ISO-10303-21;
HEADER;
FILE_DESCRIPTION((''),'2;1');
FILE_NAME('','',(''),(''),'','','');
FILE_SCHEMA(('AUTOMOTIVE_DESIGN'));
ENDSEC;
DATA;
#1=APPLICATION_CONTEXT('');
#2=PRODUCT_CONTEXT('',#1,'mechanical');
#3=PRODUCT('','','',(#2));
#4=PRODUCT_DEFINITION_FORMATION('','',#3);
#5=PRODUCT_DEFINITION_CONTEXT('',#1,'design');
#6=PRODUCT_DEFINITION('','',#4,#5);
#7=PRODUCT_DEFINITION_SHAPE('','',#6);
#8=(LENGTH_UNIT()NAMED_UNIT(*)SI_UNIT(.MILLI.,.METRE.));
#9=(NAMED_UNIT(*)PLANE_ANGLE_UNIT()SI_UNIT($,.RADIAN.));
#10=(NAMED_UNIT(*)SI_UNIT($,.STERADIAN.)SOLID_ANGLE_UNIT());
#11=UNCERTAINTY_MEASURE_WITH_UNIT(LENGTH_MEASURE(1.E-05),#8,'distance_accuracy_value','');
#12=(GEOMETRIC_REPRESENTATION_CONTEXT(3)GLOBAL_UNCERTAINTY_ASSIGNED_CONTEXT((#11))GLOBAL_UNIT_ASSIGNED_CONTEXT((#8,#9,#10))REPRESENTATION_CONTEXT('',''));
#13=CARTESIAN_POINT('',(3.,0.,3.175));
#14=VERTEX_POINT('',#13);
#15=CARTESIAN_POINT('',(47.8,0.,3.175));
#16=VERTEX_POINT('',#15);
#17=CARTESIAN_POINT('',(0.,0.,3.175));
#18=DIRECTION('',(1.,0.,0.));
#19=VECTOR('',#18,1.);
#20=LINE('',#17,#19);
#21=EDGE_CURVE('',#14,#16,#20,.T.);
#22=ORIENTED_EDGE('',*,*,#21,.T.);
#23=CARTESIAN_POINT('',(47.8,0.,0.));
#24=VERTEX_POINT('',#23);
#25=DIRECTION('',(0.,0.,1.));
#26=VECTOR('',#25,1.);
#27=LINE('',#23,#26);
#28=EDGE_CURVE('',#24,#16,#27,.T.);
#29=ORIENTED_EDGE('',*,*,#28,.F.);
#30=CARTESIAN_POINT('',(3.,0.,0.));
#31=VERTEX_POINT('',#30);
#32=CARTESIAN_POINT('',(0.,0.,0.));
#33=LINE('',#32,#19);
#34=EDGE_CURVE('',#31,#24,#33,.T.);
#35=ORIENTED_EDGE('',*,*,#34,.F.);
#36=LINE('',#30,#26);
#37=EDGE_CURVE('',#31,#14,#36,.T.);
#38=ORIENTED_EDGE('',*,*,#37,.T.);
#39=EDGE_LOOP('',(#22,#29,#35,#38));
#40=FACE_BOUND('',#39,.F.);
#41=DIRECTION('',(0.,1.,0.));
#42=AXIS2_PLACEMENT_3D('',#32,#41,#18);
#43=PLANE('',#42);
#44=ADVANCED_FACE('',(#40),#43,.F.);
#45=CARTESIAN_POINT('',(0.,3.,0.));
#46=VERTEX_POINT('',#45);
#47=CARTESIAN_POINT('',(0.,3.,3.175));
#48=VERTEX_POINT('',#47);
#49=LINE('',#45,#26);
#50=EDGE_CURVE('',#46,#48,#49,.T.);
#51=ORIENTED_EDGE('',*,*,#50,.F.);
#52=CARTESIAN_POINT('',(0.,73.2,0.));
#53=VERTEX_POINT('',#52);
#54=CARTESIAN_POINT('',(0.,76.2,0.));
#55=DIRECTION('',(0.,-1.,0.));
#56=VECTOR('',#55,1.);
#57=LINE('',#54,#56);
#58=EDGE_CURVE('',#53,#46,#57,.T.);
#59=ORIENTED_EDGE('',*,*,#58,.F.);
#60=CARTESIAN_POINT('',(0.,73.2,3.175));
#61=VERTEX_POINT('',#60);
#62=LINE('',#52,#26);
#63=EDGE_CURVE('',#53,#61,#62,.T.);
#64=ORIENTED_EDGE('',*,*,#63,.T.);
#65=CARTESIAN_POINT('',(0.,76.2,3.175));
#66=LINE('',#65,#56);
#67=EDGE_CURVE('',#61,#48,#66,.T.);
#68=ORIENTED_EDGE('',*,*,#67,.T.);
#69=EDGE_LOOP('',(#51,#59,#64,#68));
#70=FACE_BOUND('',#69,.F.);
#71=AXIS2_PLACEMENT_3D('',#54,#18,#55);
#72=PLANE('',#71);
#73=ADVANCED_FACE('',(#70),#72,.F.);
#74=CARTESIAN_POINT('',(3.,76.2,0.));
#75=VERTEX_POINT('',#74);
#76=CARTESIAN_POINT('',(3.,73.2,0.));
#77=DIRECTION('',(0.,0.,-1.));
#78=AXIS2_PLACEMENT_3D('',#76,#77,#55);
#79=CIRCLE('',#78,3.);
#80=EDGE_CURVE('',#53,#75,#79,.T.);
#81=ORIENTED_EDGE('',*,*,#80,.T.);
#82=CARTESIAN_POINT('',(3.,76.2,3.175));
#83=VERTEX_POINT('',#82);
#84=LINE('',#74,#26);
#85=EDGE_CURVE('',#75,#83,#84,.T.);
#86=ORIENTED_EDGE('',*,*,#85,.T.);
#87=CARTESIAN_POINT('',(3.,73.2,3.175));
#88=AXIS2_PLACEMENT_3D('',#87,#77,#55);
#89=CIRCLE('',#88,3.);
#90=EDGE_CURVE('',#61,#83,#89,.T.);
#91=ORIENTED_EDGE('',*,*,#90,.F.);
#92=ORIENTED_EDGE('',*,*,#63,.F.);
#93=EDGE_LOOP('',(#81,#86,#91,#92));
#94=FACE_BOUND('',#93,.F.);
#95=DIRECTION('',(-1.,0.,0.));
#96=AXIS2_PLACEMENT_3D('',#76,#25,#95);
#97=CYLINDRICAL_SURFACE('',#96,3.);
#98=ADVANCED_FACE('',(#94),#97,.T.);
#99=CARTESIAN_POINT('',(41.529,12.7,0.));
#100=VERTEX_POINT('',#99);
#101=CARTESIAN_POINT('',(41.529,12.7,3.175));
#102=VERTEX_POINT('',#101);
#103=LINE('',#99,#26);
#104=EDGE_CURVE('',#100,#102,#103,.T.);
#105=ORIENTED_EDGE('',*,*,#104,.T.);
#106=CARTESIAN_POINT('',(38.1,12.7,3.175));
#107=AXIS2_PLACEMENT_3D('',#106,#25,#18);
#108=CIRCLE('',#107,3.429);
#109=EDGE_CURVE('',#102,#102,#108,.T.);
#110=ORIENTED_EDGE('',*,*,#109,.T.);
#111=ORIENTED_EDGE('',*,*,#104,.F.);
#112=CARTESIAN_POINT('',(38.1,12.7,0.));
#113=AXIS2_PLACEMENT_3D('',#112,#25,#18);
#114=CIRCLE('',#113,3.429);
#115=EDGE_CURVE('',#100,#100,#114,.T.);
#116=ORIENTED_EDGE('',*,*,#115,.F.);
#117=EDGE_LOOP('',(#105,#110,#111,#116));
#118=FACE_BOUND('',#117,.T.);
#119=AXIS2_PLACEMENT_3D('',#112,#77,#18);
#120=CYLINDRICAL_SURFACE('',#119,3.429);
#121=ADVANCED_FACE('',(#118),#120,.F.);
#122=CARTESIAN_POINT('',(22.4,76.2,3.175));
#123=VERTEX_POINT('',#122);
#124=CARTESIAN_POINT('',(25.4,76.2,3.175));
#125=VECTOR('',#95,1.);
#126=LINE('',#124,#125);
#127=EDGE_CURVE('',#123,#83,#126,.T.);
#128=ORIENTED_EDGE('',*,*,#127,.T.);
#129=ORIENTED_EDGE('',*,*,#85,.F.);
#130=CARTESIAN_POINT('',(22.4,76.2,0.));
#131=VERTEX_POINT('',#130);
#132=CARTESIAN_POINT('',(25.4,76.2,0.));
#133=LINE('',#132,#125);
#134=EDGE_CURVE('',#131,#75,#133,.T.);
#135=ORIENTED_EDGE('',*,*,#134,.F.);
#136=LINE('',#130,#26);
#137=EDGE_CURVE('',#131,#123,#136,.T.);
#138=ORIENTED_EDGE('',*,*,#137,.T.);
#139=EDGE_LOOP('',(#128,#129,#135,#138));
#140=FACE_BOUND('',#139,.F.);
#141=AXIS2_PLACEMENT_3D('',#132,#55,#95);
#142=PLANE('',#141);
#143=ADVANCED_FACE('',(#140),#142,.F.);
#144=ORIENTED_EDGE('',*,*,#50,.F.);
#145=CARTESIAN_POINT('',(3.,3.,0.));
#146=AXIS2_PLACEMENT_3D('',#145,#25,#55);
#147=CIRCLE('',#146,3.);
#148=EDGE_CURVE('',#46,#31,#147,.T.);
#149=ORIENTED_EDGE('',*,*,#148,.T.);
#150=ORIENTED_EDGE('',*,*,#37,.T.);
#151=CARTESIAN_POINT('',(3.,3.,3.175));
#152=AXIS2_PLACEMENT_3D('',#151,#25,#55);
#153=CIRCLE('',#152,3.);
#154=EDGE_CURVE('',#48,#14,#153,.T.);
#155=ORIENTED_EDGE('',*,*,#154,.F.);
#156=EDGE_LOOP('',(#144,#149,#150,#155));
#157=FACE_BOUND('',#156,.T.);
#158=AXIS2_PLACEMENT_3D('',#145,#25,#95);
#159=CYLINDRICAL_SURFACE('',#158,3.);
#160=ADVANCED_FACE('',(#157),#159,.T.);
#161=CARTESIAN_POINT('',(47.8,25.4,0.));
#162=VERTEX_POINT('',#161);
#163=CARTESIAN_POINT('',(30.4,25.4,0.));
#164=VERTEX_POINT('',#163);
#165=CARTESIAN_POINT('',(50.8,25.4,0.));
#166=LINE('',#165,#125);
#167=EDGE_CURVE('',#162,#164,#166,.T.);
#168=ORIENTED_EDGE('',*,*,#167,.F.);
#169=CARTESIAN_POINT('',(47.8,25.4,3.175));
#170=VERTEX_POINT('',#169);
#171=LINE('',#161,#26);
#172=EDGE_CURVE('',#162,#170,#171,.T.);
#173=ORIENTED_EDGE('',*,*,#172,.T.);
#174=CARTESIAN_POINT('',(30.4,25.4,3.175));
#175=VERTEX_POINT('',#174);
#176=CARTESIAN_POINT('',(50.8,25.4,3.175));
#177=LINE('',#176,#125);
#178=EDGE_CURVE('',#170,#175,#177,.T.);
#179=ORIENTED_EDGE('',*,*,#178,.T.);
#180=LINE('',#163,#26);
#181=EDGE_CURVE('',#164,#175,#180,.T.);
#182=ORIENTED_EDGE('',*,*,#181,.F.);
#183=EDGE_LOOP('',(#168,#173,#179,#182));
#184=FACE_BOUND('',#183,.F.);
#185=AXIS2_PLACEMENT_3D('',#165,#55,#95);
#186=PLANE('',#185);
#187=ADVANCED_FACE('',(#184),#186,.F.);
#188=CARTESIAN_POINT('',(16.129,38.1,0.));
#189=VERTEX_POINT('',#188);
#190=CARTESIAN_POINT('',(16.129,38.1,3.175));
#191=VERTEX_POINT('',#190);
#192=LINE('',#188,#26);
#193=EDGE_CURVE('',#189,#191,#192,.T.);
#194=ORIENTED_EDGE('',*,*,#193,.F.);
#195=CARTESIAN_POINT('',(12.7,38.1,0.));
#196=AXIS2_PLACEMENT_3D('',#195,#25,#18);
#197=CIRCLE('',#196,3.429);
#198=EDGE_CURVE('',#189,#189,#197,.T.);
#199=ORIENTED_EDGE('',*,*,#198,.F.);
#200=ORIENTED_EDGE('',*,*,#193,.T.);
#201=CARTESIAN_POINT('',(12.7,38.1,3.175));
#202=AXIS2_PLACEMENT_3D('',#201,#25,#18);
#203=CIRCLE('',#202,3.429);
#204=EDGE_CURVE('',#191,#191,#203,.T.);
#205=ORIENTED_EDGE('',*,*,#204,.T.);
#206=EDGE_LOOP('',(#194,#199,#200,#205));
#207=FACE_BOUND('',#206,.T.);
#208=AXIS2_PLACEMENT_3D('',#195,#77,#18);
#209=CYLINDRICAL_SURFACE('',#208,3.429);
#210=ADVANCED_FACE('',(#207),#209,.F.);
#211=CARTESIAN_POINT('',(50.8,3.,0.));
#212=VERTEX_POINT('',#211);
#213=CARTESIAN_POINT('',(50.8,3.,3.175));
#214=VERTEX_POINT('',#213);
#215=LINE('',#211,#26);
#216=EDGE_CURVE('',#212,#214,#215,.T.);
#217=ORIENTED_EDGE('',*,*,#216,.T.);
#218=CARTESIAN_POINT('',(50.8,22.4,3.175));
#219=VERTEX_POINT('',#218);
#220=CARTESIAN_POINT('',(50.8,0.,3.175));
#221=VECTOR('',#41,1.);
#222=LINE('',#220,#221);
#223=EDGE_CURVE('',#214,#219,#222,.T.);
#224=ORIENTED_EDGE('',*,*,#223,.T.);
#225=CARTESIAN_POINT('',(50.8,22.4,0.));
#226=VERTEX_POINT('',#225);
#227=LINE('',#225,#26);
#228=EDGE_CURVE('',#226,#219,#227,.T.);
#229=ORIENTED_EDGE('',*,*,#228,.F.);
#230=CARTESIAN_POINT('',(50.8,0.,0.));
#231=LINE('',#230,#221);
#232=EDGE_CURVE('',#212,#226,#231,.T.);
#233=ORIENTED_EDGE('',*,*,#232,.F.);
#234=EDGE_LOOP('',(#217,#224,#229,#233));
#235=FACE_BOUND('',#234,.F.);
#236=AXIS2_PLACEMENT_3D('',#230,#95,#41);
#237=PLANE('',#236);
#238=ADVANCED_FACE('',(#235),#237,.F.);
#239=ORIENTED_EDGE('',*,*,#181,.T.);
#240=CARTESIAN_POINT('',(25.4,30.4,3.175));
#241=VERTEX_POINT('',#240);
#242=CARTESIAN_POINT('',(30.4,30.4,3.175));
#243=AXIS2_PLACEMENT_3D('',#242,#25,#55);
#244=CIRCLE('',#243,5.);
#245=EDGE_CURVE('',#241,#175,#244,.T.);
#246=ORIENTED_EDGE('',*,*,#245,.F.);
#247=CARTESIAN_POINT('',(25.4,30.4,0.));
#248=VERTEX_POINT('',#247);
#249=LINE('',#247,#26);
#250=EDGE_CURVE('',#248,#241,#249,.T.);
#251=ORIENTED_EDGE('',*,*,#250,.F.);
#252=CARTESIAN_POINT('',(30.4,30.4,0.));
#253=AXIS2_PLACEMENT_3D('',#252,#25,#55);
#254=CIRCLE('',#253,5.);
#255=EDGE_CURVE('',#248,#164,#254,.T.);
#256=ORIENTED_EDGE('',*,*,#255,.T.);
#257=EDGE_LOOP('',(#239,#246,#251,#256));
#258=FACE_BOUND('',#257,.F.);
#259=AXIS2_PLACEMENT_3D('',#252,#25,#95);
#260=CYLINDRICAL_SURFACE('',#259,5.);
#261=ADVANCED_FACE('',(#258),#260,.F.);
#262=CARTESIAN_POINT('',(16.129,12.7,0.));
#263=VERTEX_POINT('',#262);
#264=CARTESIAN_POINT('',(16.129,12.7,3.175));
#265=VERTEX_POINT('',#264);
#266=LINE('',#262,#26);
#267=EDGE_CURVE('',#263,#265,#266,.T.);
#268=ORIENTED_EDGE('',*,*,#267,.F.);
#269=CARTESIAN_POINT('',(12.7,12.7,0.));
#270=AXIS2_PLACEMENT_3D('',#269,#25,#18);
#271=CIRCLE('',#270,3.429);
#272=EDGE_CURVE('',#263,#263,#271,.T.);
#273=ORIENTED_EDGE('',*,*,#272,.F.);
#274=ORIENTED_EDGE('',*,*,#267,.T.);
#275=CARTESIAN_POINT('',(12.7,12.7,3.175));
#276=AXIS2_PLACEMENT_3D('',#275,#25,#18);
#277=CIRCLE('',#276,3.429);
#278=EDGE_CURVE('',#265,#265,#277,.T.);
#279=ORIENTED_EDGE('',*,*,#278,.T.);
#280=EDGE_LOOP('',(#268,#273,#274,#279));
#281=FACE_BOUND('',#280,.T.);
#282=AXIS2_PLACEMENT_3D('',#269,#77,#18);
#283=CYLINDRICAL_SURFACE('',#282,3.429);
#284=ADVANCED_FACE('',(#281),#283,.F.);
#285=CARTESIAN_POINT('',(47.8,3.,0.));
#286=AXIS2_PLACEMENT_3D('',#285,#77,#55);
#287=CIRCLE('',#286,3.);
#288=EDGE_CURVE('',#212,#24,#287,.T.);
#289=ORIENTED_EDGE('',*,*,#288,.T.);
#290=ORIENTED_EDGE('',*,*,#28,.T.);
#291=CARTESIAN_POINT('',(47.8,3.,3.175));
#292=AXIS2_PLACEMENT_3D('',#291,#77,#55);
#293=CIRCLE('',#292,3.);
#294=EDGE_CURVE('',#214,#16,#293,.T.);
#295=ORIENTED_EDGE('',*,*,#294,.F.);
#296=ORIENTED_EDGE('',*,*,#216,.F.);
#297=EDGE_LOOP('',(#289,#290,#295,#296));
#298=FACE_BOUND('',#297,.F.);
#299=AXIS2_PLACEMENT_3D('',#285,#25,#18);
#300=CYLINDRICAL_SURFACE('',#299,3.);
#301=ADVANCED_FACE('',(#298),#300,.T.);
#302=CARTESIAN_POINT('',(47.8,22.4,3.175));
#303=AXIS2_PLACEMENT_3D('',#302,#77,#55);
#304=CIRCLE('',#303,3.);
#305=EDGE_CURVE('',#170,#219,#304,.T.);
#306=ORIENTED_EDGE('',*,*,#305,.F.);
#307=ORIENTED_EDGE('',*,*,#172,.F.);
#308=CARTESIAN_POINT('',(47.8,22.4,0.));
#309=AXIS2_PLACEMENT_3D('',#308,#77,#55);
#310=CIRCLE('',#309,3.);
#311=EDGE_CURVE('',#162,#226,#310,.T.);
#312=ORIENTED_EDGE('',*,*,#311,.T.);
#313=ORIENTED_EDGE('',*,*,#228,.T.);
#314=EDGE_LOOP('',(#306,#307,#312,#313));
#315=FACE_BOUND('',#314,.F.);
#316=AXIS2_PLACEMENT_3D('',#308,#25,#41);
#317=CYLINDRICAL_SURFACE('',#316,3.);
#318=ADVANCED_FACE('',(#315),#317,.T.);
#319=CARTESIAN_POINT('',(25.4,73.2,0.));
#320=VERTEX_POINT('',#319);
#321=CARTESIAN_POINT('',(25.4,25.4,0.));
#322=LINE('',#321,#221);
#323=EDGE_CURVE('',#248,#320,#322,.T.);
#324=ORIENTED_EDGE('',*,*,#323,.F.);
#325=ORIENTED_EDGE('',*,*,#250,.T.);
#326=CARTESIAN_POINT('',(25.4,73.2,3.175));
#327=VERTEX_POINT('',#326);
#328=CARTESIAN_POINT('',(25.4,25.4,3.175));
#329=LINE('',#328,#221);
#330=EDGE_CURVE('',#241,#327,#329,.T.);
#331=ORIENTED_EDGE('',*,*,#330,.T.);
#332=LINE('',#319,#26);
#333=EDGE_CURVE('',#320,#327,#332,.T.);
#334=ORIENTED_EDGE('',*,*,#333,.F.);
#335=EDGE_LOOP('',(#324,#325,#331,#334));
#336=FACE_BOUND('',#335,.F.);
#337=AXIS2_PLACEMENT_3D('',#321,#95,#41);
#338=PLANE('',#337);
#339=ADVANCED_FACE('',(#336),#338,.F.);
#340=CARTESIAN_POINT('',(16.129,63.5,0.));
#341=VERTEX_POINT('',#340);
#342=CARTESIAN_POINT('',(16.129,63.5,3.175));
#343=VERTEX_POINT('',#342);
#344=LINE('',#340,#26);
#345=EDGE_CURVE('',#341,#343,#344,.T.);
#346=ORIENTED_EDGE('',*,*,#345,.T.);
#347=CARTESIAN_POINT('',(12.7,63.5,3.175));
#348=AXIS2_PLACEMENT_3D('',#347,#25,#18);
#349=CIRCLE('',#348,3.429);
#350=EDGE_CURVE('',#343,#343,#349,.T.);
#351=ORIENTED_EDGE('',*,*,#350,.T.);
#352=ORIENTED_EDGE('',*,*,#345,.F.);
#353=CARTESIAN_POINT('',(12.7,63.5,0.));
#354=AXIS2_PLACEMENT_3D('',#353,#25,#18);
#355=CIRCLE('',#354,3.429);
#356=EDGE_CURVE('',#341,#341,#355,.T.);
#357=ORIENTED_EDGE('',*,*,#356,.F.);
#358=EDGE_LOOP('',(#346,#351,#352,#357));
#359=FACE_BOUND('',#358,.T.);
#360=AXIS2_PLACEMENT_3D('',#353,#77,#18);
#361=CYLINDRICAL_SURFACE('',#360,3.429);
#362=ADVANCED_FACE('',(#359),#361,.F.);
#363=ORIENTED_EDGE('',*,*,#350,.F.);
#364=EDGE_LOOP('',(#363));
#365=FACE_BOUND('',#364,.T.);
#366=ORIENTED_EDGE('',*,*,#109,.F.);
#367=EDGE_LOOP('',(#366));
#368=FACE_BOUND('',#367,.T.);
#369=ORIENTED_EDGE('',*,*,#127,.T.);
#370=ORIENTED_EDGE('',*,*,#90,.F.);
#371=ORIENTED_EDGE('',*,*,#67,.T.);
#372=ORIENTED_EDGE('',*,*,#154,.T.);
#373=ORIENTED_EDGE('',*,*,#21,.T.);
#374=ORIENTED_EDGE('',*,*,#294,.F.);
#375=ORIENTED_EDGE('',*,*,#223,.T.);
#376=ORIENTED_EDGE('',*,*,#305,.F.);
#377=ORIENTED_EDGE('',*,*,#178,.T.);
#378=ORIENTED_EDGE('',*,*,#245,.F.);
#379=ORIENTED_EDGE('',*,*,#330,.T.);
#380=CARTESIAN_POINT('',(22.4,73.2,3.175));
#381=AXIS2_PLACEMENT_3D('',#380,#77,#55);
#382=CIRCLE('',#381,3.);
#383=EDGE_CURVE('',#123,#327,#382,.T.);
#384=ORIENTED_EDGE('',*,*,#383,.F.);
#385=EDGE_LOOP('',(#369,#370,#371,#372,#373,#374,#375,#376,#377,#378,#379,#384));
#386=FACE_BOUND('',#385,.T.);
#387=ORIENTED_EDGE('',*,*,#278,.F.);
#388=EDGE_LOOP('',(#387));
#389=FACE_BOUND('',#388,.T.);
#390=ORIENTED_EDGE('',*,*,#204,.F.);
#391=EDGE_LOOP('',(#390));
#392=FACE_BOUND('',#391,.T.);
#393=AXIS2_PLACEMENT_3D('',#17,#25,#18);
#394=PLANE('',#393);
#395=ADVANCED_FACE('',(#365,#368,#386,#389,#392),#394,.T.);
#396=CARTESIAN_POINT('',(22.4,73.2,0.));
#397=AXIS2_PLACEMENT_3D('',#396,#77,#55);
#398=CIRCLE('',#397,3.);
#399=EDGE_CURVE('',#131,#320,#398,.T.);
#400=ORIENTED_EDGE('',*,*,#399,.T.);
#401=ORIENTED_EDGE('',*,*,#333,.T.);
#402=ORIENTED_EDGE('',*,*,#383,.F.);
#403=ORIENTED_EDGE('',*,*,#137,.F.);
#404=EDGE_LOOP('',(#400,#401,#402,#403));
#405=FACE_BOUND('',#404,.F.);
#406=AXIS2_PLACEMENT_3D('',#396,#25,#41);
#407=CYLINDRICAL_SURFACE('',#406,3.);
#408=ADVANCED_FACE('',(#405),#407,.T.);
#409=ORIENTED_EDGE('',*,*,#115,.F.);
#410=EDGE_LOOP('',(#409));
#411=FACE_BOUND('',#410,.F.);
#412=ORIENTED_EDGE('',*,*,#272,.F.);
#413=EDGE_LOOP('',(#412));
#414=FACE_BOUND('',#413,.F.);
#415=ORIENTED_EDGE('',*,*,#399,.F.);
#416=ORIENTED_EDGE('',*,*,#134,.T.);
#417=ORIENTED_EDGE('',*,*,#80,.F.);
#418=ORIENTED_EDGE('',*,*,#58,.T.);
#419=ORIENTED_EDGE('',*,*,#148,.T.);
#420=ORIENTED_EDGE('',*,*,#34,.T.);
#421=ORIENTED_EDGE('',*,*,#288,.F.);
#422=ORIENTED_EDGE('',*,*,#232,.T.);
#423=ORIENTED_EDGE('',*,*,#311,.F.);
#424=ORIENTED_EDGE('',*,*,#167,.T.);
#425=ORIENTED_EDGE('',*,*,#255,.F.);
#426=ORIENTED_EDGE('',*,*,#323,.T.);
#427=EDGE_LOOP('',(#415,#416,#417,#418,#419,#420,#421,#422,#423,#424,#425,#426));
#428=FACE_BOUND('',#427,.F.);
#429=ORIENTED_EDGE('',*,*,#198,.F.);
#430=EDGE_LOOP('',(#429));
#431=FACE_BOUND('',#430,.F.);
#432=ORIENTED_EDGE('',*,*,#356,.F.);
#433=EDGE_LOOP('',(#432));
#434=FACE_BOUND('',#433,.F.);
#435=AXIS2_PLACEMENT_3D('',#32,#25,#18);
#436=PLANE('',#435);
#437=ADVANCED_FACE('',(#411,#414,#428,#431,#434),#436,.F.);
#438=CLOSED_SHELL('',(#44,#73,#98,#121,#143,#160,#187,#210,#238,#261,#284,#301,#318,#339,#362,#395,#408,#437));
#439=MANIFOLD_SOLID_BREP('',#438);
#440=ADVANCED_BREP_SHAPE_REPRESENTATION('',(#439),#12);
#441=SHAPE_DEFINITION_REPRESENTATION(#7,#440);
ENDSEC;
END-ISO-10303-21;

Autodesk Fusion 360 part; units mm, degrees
sketch "Sketch1" plane through (0, 0, 0) normal (0, 0, 1) x (1, 0, 0)
  line L0 (0, 0) -> (50.8, 0)
  line L1 (50.8, 0) -> (50.8, 25.4)
  line L2 (50.8, 25.4) -> (25.4, 25.4)
  line L3 (25.4, 25.4) -> (25.4, 76.2)
  line L4 (25.4, 76.2) -> (0, 76.2)
  line L5 (0, 76.2) -> (0, 0)
  line L6 (0, 0) -> (25.4, 25.4) construction
  circle A0 centre (12.7, 12.7) radius 3.429
  circle A1 centre (38.1, 12.7) radius 3.429
  circle A2 centre (12.7, 38.1) radius 3.429
  circle A3 centre (12.7, 63.5) radius 3.429
  dimension "d1" = 25.4
  dimension "d2" = 25.4
  dimension "d3" = 50.8
  dimension "d4" = 76.2
  dimension "d5" = 6.858
  dimension "d6" = 25.4
  dimension "d7" = 25.4
  dimension "d8" = 25.4
  dimension "d9" = 12.7
extrude "Extrude1" add sketch "Sketch1" along normal blind 3.175
fillet "Fillet1" radius 3 5 edges at (0, 0, 1.5875) (50.8, 0, 1.5875) (50.8, 25.4, 1.5875) (0, 76.2, 1.5875) (25.4, 76.2, 1.5875)
fillet "Fillet1" radius 5 1 edges at (25.4, 25.4, 1.5875)
sketch "DXF" plane through (0, 0, 3.175) normal (0, 0, 1) x (-1, 0, 0)
  arc A0 (-25.4, -73.2) -> (-22.4, -76.2) centre (-22.4, -73.2) ccw
  line L0 (-22.4, -76.2) -> (-3, -76.2)
  arc A1 (-3, -76.2) -> (0, -73.2) centre (-3, -73.2) ccw
  line L1 (0, -73.2) -> (0, -3)
  arc A2 (0, -3) -> (-3, 0) centre (-3, -3) ccw
  line L2 (-3, 0) -> (-47.8, 0)
  arc A3 (-47.8, 0) -> (-50.8, -3) centre (-47.8, -3) ccw
  line L3 (-50.8, -3) -> (-50.8, -22.4)
  arc A4 (-50.8, -22.4) -> (-47.8, -25.4) centre (-47.8, -22.4) ccw
  line L4 (-47.8, -25.4) -> (-30.4, -25.4)
  arc A5 (-25.4, -30.4) -> (-30.4, -25.4) centre (-30.4, -30.4) ccw
  line L5 (-25.4, -30.4) -> (-25.4, -73.2)
  circle A6 centre (-12.7, -63.5) radius 3.429
  circle A7 centre (-12.7, -12.7) radius 3.429
  circle A8 centre (-12.7, -38.1) radius 3.429
  circle A9 centre (-38.1, -12.7) radius 3.429
equation "d10 = ( 1 / 8 ) * 1 in"
